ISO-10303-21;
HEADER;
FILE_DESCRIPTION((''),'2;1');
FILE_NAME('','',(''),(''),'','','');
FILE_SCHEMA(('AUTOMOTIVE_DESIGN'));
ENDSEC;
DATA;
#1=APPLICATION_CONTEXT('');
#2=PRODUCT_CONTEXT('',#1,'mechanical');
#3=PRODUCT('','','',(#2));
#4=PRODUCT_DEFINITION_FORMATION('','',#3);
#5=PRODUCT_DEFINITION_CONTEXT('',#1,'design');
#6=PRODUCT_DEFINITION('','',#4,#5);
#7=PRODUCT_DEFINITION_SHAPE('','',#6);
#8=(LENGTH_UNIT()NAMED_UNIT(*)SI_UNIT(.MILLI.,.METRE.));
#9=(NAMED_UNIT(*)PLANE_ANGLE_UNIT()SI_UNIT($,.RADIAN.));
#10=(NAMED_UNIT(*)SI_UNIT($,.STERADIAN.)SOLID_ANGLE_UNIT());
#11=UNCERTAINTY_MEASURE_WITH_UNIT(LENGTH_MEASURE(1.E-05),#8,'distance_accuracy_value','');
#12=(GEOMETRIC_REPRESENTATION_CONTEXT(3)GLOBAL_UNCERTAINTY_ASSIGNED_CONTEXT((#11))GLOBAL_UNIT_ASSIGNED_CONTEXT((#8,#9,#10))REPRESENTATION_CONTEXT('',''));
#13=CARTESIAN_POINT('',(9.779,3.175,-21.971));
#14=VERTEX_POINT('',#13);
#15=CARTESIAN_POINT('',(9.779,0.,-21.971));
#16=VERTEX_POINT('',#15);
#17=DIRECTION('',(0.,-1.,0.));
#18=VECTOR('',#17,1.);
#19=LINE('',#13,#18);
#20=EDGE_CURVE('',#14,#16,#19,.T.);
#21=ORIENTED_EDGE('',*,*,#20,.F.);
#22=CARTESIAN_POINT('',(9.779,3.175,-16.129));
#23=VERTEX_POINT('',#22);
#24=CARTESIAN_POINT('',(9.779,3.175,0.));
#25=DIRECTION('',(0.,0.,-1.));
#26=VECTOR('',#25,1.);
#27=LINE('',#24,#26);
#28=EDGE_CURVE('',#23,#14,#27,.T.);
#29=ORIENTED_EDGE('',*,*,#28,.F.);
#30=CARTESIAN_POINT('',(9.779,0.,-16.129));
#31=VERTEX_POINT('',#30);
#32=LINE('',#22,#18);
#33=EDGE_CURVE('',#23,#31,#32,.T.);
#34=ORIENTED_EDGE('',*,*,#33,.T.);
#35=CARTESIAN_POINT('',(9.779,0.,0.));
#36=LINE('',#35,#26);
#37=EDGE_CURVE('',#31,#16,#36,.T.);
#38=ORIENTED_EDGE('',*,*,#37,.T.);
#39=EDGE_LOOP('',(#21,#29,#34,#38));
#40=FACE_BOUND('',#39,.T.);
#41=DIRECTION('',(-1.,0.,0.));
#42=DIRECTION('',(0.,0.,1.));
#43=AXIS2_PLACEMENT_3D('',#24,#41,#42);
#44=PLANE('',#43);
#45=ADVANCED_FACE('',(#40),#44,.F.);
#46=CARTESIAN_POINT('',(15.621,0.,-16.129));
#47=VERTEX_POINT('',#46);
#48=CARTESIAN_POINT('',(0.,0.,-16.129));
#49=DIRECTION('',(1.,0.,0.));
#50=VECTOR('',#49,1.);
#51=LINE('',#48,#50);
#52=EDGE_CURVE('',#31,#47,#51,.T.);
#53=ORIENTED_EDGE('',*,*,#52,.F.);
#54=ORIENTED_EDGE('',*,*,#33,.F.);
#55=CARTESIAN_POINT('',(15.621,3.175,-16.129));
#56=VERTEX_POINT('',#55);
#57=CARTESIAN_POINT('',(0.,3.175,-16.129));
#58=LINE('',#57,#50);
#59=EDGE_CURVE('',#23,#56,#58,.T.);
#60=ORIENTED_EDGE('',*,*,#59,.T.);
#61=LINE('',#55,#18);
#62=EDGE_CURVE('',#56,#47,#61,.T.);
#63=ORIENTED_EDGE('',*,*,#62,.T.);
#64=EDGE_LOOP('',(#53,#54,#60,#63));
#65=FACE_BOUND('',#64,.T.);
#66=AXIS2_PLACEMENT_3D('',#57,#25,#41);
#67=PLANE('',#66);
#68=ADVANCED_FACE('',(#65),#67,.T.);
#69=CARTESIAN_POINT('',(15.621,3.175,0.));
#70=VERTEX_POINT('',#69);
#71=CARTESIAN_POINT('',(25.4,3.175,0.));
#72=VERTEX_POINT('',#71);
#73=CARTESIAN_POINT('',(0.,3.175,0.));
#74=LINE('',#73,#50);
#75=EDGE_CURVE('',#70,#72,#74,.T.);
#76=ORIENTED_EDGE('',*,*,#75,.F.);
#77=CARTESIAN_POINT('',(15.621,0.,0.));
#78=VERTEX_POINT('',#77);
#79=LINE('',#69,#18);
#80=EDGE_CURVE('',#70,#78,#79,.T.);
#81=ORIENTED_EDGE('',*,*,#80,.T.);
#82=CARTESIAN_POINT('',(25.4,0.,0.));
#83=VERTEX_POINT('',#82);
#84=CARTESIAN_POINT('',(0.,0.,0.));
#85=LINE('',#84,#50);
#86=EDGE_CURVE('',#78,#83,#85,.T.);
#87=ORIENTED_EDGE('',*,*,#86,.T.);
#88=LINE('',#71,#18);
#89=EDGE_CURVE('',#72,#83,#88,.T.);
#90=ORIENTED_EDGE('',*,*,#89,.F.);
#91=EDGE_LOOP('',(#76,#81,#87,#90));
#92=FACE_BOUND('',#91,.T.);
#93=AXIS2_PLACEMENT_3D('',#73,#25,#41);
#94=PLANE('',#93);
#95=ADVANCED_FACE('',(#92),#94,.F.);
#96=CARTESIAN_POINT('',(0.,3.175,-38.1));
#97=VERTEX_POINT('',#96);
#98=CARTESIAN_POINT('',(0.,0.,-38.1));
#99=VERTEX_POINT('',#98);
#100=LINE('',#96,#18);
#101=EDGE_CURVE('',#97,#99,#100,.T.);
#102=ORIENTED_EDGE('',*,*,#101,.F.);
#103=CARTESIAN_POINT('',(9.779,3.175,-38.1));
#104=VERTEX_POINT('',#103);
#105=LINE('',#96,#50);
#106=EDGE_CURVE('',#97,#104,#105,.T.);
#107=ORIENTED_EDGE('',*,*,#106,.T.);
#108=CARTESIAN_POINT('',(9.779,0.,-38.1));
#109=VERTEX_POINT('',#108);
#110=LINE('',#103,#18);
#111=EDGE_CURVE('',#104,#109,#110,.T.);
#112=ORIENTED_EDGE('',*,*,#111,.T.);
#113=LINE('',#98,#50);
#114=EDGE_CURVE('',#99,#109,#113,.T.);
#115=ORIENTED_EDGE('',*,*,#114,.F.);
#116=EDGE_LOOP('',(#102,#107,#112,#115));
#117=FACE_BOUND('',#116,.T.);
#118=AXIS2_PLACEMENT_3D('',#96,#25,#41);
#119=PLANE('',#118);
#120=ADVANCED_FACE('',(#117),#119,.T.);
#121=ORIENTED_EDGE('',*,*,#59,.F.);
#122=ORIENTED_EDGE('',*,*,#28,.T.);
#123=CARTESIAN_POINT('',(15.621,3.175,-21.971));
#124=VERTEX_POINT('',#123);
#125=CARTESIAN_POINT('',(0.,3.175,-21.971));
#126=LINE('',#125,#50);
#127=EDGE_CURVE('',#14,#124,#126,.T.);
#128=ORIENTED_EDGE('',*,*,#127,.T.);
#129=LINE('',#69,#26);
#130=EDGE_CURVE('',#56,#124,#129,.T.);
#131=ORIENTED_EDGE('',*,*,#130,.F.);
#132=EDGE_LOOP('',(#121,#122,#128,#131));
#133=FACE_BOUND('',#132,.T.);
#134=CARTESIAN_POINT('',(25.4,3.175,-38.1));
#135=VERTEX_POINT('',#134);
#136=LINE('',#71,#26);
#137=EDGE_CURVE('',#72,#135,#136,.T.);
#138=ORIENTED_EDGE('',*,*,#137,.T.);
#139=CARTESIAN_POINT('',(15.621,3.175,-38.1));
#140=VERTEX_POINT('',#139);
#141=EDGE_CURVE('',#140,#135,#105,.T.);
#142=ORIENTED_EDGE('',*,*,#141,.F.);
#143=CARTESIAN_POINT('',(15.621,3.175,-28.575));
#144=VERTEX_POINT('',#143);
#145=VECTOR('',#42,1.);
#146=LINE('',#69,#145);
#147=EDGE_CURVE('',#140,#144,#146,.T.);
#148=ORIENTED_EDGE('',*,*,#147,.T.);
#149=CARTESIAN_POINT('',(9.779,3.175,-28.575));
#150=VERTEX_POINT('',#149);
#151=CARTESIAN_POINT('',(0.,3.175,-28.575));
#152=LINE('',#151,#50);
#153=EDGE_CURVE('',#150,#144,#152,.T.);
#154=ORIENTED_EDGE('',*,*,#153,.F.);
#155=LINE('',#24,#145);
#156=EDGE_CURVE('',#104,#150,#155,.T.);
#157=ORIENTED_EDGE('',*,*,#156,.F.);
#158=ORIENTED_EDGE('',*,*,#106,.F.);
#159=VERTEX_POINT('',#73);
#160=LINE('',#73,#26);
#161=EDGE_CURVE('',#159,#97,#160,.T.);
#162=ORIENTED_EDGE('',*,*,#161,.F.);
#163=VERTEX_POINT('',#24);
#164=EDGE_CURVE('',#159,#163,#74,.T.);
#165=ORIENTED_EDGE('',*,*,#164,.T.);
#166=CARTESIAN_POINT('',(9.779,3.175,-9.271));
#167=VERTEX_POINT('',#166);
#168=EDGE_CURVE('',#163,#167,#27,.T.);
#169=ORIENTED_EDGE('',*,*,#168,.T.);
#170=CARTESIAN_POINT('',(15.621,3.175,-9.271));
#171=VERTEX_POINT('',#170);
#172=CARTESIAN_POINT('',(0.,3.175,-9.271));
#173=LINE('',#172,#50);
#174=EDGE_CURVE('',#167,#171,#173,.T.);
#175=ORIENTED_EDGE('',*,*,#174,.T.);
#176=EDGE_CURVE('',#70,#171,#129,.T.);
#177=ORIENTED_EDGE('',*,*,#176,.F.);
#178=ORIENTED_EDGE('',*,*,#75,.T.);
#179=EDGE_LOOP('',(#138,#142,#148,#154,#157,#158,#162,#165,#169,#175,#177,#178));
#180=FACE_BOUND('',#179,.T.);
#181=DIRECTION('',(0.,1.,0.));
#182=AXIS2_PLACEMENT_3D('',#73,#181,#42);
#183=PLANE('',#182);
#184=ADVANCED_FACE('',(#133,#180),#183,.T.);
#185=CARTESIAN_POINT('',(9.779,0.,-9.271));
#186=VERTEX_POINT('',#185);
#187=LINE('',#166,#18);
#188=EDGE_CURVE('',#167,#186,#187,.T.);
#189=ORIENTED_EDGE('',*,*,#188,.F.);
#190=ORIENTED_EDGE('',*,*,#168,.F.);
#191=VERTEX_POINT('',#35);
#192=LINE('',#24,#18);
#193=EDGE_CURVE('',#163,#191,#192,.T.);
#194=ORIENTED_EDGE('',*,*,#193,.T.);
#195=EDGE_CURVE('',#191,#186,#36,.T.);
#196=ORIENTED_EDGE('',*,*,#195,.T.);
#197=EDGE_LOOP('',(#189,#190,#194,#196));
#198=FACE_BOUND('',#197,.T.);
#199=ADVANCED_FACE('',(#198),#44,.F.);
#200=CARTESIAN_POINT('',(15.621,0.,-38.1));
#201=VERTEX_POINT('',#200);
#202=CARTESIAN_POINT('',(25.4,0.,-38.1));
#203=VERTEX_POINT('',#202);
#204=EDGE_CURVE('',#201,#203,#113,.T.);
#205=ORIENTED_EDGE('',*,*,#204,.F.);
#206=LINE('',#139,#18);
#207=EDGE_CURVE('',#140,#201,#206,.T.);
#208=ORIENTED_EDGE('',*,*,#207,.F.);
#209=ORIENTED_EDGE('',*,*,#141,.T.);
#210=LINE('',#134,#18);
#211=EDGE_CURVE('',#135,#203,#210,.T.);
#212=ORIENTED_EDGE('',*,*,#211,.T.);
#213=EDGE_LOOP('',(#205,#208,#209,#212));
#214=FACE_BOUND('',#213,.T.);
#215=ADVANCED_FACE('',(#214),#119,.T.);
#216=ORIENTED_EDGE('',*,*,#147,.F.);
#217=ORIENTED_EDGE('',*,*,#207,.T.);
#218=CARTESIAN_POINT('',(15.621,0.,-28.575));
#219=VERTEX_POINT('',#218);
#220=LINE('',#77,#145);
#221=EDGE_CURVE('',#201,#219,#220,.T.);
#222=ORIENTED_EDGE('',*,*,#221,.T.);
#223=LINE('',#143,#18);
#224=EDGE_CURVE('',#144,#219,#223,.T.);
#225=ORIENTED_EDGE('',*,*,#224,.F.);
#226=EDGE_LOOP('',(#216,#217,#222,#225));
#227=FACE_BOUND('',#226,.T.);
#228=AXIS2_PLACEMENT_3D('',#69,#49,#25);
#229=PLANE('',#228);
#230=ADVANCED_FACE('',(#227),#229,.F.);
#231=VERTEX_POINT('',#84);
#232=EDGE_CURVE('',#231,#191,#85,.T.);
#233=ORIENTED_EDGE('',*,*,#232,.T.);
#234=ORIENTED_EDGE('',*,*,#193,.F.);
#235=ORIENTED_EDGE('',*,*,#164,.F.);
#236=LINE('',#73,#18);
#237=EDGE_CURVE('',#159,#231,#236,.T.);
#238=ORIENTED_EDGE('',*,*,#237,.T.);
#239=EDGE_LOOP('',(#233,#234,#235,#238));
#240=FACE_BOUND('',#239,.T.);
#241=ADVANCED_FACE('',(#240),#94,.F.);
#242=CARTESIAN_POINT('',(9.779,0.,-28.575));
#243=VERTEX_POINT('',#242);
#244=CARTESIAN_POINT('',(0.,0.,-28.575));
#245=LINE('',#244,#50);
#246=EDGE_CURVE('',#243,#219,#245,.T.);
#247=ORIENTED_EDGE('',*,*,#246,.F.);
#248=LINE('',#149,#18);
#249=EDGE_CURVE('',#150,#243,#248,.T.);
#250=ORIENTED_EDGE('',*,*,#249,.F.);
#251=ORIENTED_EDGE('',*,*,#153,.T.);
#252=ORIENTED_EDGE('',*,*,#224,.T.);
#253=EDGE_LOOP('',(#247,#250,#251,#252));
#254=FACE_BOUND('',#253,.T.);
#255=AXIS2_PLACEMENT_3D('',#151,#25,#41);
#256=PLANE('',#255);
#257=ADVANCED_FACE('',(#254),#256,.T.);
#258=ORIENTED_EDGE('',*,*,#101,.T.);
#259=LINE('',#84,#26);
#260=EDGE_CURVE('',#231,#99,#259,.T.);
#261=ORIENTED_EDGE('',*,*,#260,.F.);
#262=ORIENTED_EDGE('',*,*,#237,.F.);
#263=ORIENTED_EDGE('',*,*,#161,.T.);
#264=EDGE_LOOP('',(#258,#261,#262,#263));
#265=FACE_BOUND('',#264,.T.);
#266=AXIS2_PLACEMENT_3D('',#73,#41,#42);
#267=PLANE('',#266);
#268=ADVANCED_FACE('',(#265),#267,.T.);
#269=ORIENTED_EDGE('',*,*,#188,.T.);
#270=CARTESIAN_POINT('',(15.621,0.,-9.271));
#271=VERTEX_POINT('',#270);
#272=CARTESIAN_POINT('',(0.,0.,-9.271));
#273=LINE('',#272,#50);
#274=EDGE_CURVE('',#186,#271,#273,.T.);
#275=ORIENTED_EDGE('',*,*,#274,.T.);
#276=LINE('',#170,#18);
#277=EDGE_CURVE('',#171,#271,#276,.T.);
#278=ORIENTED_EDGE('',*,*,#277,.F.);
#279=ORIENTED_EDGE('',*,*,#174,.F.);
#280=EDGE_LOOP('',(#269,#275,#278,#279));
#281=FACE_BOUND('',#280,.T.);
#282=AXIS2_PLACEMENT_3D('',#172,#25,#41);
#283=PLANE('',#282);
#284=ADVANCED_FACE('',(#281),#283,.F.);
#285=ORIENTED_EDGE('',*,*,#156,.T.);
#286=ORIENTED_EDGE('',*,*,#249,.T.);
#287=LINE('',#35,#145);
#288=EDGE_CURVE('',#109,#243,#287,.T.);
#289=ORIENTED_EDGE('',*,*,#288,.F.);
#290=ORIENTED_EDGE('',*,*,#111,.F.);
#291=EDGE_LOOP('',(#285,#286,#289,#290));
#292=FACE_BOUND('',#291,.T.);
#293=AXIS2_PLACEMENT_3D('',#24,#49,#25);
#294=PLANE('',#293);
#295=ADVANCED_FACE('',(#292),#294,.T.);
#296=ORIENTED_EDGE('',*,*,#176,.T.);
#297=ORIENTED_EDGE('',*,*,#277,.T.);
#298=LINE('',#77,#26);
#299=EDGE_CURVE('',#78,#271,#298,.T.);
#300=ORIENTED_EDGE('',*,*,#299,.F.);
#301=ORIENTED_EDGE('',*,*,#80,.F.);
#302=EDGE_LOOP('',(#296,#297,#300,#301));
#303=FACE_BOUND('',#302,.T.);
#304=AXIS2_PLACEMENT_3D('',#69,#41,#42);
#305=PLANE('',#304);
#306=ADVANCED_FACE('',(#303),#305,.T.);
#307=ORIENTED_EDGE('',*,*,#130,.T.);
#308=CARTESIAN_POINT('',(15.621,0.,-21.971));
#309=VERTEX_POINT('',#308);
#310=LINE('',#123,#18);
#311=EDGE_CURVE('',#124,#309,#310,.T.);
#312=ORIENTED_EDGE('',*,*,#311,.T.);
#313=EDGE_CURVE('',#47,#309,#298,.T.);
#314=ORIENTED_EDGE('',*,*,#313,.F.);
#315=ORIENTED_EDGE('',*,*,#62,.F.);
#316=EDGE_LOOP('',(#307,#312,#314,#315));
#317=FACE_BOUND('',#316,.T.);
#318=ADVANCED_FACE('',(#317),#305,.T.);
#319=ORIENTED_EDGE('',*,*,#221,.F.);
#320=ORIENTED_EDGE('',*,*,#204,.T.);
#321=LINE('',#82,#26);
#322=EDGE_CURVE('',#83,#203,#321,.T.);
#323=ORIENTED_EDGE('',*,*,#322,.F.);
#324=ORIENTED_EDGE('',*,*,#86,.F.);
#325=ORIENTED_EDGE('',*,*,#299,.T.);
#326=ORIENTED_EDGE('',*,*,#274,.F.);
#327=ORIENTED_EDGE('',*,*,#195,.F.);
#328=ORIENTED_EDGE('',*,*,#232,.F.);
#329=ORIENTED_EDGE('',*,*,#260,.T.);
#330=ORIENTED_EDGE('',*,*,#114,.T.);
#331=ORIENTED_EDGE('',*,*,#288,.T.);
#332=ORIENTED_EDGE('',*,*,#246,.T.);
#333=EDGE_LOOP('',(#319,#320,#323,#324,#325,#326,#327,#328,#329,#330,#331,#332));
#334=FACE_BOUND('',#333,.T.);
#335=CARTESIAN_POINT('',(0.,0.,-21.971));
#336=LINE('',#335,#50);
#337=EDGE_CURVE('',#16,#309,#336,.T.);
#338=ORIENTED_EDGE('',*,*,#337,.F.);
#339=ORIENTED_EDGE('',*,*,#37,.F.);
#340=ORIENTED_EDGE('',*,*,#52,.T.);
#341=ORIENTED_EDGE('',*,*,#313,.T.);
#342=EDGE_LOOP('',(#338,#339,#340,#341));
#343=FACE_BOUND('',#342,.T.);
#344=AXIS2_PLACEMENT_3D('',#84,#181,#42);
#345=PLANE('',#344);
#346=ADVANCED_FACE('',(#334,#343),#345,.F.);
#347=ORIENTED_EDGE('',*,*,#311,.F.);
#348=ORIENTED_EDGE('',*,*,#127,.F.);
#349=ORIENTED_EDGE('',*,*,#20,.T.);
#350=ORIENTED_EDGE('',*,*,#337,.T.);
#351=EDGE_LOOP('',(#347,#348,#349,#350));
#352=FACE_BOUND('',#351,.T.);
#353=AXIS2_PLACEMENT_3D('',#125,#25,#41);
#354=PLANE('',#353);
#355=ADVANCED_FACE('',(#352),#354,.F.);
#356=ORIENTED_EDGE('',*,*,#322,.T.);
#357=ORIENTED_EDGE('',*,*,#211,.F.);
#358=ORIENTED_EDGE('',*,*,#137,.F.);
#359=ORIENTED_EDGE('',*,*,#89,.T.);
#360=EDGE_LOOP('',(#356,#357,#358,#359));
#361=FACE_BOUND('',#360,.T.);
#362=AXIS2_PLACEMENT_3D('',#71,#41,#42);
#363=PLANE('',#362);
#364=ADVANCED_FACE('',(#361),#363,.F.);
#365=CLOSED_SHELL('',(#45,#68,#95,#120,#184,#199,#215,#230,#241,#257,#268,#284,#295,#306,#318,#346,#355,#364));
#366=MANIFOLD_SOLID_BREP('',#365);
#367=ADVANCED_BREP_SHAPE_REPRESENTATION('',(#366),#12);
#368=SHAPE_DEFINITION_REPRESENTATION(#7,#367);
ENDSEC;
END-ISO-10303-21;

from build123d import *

# Parameters (mm, degrees)
SKETCH1_W           = 5.842
SKETCH1_H           = 5.842
BOSS_EXTRUDE1_DEPTH = 3.175


with BuildPart() as part:
    # Sketch1 → Boss-Extrude1 (new body)
    with BuildSketch(Plane(origin=(0, 0, 0), x_dir=(1, 0, 0), z_dir=(0, 1, 0))):
        Polygon((9.779, 38.1), (0, 38.1), (0, 0), (9.779, 0), (9.779, 9.271), (15.621, 9.271), (15.621, 0), (25.4, 0), (25.4, 38.1), (15.621, 38.1), (15.621, 28.575), (9.779, 28.575), align=None)
        with Locations((12.7, 19.05)):
            Rectangle(SKETCH1_W, SKETCH1_H, mode=Mode.SUBTRACT)
    extrude(amount=BOSS_EXTRUDE1_DEPTH)


solid = part.part
